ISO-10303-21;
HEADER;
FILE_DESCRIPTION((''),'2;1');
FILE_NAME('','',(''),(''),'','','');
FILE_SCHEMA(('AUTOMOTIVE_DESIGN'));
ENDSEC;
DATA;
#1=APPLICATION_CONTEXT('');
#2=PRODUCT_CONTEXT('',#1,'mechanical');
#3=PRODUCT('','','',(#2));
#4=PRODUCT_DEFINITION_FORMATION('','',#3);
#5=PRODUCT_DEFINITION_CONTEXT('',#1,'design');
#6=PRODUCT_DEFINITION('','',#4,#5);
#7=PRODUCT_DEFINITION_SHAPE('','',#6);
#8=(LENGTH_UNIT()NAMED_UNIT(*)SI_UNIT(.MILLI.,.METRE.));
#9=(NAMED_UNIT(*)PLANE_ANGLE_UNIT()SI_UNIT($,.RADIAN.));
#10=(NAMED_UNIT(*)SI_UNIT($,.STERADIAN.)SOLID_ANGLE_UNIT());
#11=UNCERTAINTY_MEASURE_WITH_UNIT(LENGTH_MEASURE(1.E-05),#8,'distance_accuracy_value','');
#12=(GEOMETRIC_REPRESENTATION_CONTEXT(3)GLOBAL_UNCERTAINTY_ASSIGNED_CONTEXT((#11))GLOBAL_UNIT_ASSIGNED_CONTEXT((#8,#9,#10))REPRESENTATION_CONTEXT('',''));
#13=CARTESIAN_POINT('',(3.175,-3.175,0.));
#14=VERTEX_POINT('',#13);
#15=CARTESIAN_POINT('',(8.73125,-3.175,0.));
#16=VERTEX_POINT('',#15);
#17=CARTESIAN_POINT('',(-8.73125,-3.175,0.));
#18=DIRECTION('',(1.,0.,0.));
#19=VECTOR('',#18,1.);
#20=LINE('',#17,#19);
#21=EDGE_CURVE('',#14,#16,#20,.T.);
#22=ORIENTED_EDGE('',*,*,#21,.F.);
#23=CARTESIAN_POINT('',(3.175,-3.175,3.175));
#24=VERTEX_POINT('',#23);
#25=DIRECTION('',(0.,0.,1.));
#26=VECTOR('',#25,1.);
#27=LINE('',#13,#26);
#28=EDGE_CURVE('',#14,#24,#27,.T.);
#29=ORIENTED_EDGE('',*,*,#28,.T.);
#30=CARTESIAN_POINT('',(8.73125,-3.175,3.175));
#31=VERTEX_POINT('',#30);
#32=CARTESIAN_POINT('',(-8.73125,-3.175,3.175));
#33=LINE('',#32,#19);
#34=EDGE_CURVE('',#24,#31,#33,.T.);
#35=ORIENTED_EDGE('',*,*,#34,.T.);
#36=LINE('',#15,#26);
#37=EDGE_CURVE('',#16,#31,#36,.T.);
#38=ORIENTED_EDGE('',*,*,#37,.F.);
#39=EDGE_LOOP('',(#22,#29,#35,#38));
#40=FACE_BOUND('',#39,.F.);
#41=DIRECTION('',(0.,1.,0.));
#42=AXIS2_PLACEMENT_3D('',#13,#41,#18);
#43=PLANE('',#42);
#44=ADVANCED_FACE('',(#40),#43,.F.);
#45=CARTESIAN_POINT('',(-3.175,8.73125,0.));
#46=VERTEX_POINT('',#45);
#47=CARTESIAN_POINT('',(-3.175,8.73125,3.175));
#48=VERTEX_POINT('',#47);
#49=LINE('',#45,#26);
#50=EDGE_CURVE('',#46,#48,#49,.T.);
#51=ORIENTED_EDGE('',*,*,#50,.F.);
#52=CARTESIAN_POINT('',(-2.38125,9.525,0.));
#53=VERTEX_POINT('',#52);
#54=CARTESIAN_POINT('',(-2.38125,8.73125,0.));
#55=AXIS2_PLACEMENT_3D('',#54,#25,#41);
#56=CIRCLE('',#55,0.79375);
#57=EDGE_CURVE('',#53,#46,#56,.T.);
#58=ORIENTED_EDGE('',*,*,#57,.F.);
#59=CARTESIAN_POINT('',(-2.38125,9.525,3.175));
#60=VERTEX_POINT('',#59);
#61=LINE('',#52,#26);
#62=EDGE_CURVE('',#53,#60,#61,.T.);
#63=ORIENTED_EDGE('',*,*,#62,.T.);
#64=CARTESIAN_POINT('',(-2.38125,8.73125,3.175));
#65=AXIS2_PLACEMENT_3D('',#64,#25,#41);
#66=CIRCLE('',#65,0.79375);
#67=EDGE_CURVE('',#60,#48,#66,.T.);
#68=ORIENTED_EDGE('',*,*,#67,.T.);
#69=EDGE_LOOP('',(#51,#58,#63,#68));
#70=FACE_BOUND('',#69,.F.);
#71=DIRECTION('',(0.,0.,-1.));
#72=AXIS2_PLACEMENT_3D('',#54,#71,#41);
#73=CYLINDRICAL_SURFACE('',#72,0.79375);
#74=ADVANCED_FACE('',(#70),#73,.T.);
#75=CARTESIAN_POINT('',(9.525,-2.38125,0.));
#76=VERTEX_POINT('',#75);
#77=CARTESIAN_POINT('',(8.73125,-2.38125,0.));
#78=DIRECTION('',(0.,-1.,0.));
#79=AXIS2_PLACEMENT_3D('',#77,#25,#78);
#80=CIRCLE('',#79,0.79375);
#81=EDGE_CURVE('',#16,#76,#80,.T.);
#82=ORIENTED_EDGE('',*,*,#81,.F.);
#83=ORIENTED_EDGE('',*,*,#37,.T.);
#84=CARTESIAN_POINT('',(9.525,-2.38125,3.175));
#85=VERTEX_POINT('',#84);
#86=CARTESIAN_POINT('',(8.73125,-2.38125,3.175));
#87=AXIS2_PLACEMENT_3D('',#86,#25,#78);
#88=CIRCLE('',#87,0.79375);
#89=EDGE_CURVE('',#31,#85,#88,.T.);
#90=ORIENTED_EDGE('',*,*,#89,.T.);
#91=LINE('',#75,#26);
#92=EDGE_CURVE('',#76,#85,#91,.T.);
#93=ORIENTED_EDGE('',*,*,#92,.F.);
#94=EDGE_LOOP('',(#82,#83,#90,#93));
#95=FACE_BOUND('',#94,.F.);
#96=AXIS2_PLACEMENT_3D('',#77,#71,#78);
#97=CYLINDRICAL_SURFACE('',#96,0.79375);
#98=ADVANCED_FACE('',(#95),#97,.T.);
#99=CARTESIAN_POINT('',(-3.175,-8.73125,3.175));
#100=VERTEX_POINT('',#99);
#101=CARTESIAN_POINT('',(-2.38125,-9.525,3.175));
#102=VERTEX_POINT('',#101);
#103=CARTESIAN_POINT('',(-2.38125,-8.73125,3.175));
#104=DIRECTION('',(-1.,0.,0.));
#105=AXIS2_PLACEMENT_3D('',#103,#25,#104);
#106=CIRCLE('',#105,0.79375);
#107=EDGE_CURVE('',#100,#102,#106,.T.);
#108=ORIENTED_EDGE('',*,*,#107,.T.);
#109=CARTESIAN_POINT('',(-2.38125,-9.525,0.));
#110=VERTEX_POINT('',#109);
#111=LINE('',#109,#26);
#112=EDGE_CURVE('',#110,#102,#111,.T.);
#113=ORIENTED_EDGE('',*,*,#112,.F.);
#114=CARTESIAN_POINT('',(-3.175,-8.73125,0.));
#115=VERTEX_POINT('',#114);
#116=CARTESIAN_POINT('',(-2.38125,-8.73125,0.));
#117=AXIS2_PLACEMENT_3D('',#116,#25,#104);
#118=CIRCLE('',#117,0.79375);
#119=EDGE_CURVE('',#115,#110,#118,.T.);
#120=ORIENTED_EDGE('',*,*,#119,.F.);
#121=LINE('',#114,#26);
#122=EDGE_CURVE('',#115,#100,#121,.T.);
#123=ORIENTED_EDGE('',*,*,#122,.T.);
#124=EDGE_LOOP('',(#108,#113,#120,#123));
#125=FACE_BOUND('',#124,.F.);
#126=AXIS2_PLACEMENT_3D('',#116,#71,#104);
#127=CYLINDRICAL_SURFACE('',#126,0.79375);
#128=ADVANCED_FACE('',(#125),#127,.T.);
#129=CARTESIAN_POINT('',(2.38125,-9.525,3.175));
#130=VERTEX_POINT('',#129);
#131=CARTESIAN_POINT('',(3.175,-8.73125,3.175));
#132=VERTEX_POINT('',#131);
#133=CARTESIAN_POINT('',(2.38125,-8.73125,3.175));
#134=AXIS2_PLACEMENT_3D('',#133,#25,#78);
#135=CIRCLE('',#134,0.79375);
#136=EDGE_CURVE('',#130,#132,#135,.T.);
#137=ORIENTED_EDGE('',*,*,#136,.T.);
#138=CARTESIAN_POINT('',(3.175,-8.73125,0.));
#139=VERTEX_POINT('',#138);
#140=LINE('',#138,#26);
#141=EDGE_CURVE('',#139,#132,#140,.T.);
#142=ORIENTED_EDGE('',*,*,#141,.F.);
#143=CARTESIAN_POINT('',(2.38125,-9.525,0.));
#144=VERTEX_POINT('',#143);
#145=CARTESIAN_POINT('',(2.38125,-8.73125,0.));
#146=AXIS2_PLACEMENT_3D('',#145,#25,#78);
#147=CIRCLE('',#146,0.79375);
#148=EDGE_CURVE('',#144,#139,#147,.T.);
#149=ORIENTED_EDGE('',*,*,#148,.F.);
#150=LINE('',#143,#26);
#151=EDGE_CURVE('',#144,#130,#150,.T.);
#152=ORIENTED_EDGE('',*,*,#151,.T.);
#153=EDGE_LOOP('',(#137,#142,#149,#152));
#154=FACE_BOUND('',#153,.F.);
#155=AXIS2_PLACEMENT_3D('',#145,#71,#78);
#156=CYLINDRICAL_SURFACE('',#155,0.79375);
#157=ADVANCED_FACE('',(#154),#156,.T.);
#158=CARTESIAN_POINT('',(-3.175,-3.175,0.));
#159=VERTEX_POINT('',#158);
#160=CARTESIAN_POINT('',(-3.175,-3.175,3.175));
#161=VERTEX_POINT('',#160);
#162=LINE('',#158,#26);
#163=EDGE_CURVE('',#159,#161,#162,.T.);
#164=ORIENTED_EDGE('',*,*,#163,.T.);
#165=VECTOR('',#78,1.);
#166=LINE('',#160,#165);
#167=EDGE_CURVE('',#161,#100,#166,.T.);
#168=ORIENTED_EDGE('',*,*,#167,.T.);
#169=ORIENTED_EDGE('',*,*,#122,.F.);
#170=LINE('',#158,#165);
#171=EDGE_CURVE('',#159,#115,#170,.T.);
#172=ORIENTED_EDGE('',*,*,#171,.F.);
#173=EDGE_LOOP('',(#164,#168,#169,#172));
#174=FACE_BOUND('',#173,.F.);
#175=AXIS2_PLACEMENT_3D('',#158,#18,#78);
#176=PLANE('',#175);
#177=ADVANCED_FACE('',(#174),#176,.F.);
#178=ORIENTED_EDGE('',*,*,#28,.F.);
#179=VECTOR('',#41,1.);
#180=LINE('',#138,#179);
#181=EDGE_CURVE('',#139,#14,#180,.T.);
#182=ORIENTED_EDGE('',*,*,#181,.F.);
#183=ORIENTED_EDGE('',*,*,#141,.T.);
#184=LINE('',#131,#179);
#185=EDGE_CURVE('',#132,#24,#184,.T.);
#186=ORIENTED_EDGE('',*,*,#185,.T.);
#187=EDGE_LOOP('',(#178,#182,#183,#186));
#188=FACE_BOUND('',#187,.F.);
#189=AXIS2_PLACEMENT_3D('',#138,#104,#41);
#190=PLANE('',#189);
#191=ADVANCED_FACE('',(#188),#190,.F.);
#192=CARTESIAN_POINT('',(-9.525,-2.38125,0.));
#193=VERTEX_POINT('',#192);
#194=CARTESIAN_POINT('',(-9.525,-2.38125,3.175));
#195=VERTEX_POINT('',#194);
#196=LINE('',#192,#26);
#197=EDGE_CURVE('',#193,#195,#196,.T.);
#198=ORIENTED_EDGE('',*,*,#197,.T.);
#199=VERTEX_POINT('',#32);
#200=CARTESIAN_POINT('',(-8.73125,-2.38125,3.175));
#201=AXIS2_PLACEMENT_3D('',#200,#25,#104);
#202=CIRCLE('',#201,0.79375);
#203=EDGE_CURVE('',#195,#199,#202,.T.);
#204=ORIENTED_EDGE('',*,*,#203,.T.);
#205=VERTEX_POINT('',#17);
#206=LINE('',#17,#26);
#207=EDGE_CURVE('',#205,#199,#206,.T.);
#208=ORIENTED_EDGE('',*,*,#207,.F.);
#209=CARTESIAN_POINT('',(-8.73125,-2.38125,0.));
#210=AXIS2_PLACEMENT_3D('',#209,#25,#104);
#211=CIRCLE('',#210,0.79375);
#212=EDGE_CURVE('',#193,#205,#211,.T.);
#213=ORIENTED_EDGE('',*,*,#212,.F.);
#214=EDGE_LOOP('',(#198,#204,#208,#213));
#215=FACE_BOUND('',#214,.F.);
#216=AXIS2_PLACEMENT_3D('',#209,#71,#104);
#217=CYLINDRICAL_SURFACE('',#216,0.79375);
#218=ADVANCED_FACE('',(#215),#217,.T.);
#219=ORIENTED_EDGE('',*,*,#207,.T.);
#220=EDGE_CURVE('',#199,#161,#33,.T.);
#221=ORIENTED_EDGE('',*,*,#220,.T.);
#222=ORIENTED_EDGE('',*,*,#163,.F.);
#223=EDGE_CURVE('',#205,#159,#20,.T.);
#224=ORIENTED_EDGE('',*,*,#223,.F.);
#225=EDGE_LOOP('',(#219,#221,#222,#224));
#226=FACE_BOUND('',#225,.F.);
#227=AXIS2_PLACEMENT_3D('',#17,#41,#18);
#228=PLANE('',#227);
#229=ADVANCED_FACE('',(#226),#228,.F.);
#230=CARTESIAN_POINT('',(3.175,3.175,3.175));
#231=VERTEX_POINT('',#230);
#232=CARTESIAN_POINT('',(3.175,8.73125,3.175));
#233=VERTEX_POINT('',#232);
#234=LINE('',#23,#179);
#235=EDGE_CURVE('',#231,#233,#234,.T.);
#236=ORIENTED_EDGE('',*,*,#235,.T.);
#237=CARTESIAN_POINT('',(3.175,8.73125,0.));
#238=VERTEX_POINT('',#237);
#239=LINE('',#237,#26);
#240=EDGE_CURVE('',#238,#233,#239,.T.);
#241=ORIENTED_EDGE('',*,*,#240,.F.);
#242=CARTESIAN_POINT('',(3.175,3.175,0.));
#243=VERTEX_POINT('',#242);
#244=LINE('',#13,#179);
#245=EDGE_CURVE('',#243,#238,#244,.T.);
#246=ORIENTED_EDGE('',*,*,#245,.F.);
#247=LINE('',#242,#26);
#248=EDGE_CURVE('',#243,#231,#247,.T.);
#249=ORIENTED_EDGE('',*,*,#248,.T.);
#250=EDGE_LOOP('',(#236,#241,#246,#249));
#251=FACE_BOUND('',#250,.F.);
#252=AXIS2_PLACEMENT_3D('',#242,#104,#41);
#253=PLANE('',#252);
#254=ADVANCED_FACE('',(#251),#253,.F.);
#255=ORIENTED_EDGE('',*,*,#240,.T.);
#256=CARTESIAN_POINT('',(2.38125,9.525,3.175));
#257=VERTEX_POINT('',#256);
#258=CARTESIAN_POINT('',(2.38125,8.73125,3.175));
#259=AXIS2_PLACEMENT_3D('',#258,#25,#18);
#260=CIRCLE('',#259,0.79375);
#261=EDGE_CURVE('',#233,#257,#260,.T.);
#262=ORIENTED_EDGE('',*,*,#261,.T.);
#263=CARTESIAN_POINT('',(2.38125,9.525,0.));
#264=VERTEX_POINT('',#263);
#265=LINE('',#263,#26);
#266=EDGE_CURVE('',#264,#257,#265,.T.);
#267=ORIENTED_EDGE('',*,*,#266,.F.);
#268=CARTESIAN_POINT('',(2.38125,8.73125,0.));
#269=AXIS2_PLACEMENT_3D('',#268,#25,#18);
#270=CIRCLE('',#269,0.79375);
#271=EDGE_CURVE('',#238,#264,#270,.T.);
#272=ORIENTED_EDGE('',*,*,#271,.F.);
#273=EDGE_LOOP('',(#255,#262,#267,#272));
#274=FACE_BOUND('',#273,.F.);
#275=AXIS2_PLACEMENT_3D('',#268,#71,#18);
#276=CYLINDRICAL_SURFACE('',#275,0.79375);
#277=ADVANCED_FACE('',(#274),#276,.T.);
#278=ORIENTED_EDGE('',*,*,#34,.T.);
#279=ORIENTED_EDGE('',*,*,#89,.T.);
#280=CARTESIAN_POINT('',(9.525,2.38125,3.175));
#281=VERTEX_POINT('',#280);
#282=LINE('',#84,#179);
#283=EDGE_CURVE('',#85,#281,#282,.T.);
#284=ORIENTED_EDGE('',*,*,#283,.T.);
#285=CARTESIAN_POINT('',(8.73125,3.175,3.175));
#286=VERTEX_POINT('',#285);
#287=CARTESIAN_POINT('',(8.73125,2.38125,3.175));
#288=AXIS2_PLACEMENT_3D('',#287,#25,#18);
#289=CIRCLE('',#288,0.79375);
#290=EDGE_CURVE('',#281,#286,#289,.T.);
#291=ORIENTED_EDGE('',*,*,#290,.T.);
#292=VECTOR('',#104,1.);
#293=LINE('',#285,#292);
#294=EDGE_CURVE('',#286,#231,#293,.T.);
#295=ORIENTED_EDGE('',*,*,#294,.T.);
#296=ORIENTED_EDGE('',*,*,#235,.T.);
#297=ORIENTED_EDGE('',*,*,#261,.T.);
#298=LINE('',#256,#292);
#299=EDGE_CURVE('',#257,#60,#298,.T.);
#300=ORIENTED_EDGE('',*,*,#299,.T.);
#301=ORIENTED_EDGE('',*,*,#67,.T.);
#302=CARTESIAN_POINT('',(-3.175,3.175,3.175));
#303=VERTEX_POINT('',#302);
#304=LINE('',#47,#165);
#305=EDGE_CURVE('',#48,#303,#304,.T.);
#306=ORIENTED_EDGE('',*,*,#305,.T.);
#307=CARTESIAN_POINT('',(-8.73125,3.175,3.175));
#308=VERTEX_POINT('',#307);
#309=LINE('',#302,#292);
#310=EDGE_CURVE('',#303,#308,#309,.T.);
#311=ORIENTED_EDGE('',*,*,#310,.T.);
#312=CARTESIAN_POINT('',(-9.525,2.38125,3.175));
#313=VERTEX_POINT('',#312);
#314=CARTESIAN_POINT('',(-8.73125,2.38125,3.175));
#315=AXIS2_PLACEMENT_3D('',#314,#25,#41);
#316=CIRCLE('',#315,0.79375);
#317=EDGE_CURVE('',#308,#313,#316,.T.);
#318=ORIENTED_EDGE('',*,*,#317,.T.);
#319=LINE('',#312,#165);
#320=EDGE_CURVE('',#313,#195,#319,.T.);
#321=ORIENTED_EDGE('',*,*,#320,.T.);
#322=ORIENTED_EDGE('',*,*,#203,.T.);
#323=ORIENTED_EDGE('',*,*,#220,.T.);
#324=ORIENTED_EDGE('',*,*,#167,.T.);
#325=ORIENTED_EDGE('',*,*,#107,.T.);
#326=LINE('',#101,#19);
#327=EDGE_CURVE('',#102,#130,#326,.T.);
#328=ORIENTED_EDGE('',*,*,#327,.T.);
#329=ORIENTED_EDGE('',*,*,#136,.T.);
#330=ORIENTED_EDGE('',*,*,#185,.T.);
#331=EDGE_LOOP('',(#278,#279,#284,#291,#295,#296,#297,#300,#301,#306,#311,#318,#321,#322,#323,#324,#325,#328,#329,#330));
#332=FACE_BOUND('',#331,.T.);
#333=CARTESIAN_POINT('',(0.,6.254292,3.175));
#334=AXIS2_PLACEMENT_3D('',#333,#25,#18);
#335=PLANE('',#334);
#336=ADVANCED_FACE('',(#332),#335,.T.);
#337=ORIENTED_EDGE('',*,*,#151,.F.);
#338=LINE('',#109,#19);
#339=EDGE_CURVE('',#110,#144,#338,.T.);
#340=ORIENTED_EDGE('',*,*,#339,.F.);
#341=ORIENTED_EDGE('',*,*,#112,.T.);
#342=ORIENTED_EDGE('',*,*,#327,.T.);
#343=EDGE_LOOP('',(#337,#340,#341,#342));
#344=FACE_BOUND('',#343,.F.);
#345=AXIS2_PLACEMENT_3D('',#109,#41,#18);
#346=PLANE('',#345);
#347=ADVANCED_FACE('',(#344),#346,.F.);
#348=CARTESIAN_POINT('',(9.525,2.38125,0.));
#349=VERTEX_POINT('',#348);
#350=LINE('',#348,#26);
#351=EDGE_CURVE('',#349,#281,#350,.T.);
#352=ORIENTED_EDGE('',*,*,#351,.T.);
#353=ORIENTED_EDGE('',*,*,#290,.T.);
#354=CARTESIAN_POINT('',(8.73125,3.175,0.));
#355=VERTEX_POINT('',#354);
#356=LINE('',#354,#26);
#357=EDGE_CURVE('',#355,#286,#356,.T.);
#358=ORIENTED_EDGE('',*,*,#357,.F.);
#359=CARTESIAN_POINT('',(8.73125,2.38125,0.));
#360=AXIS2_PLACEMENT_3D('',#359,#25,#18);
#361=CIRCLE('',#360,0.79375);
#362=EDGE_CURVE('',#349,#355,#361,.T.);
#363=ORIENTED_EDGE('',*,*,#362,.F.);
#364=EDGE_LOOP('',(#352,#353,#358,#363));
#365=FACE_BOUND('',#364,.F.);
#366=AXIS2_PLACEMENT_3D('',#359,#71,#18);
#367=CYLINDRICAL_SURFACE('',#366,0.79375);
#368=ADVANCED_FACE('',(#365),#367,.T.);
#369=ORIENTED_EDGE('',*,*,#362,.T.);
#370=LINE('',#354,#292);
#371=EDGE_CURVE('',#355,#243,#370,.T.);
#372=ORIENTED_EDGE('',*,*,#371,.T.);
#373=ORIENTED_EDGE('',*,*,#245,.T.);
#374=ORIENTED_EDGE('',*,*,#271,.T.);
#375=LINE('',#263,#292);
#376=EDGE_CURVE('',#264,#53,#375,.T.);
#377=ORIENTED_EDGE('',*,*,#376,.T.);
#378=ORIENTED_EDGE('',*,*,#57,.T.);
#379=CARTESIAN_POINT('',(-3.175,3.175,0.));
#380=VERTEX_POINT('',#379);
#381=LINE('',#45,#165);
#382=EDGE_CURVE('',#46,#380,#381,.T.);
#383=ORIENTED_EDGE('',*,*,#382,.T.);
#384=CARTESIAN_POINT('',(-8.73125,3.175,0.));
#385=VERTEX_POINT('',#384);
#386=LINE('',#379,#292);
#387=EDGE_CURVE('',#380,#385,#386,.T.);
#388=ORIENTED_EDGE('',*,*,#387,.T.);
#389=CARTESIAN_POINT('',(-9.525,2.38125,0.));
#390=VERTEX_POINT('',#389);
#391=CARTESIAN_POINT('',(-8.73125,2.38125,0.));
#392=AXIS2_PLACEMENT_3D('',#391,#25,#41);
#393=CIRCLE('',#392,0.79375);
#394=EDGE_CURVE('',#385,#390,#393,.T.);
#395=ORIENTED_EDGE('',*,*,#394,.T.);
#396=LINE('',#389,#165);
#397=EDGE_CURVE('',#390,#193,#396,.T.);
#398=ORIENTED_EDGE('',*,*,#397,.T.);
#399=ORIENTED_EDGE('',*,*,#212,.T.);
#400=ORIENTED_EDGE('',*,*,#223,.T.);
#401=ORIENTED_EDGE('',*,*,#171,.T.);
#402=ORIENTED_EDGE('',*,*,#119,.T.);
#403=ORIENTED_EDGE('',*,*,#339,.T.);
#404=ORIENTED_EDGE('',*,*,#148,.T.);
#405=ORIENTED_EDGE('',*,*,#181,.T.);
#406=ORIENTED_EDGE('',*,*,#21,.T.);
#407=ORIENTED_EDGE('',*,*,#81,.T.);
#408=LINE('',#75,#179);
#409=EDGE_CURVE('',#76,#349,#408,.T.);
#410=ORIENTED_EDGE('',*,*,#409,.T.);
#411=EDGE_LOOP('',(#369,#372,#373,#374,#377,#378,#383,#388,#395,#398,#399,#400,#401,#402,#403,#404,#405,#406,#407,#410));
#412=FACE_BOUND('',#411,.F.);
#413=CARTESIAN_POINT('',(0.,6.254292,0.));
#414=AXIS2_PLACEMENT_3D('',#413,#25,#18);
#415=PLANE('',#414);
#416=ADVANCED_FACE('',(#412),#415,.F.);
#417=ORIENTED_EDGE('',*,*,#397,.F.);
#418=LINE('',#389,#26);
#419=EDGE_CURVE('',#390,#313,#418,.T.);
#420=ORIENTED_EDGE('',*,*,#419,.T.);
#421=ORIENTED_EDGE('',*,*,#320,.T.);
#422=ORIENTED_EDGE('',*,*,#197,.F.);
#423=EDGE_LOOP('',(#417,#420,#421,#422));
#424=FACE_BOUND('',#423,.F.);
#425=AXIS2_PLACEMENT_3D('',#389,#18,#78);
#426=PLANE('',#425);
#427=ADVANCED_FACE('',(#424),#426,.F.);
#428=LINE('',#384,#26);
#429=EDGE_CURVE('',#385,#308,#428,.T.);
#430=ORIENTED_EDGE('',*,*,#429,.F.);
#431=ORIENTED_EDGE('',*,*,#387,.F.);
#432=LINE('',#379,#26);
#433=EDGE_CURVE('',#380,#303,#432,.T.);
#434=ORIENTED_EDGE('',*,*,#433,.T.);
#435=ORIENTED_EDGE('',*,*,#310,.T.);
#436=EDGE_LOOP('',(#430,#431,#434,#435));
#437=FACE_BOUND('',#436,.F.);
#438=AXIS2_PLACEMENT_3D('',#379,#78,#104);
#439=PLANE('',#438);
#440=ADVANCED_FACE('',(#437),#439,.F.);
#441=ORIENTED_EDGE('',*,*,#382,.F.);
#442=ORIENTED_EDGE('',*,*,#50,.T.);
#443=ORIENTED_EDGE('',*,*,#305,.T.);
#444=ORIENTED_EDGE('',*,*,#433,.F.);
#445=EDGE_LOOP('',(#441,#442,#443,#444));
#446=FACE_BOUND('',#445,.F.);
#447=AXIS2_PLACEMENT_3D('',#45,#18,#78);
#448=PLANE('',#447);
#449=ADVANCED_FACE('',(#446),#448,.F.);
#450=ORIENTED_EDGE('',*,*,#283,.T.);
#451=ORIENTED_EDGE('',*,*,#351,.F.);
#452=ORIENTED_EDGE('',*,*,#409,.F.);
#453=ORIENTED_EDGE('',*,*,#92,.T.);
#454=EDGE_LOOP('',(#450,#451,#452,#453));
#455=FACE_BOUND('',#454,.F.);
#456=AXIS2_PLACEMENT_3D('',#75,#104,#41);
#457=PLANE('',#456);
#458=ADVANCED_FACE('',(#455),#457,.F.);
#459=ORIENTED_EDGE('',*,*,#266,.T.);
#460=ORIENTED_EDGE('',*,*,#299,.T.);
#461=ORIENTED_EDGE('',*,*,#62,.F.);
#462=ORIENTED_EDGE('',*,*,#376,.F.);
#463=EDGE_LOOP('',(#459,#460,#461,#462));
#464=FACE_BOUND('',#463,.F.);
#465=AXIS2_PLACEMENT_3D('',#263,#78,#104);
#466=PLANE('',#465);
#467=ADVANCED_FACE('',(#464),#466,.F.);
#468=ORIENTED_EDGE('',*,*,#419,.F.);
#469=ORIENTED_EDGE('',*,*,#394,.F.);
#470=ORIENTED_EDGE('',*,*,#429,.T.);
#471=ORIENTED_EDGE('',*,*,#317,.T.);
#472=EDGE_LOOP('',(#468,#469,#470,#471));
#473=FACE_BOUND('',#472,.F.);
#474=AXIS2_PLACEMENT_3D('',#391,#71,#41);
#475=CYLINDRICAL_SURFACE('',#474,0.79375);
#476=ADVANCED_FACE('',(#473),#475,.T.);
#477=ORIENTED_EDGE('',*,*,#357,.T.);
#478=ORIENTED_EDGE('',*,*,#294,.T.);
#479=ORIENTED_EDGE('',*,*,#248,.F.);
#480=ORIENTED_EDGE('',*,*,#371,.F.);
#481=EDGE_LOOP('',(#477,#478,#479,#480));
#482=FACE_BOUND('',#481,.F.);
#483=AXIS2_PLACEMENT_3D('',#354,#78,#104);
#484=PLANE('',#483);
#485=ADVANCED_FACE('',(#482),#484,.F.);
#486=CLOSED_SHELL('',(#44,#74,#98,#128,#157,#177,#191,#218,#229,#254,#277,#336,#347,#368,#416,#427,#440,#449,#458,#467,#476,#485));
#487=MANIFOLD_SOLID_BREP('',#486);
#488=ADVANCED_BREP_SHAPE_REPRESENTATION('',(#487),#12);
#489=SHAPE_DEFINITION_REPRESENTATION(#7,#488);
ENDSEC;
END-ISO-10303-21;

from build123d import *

# Parameters (mm, degrees)
F0_W     = 6.35
F0_H     = 6.35
F1_DEPTH = 3.175


with BuildPart() as f1:
    # F0 (on Top) → F1 (new body)
    with BuildSketch(Plane.XY):
        with BuildLine():
            Line((2.38125, 9.525), (-2.38125, 9.525))
            ThreePointArc((-2.38125, 9.525), (-2.9425160076, 9.2925160076), (-3.175, 8.73125))
            Line((-3.175, 8.73125), (-3.175, 3.175))
            Line((-3.175, 3.175), (3.175, 3.175))
            Line((3.175, 3.175), (3.175, 8.73125))
            ThreePointArc((3.175, 8.73125), (2.9425160076, 9.2925160076), (2.38125, 9.525))
        make_face()
        Rectangle(F0_W, F0_H)
        with BuildLine():
            Line((-3.175, -3.175), (-3.175, 3.175))
            Line((-3.175, 3.175), (-8.73125, 3.175))
            ThreePointArc((-8.73125, 3.175), (-9.2925160076, 2.9425160076), (-9.525, 2.38125))
            Line((-9.525, 2.38125), (-9.525, -2.38125))
            ThreePointArc((-9.525, -2.38125), (-9.2925160076, -2.9425160076), (-8.73125, -3.175))
            Line((-8.73125, -3.175), (-3.175, -3.175))
        make_face()
        with BuildLine():
            Line((8.73125, 3.175), (3.175, 3.175))
            Line((3.175, 3.175), (3.175, -3.175))
            Line((3.175, -3.175), (8.73125, -3.175))
            ThreePointArc((8.73125, -3.175), (9.2925160076, -2.9425160076), (9.525, -2.38125))
            Line((9.525, -2.38125), (9.525, 2.38125))
            ThreePointArc((9.525, 2.38125), (9.2925160076, 2.9425160076), (8.73125, 3.175))
        make_face()
        with BuildLine():
            Line((3.175, -3.175), (-3.175, -3.175))
            Line((-3.175, -3.175), (-3.175, -8.73125))
            ThreePointArc((-3.175, -8.73125), (-2.9425160076, -9.2925160076), (-2.38125, -9.525))
            Line((-2.38125, -9.525), (2.38125, -9.525))
            ThreePointArc((2.38125, -9.525), (2.9425160076, -9.2925160076), (3.175, -8.73125))
            Line((3.175, -8.73125), (3.175, -3.175))
        make_face()
    extrude(amount=F1_DEPTH)


solid = f1.part
